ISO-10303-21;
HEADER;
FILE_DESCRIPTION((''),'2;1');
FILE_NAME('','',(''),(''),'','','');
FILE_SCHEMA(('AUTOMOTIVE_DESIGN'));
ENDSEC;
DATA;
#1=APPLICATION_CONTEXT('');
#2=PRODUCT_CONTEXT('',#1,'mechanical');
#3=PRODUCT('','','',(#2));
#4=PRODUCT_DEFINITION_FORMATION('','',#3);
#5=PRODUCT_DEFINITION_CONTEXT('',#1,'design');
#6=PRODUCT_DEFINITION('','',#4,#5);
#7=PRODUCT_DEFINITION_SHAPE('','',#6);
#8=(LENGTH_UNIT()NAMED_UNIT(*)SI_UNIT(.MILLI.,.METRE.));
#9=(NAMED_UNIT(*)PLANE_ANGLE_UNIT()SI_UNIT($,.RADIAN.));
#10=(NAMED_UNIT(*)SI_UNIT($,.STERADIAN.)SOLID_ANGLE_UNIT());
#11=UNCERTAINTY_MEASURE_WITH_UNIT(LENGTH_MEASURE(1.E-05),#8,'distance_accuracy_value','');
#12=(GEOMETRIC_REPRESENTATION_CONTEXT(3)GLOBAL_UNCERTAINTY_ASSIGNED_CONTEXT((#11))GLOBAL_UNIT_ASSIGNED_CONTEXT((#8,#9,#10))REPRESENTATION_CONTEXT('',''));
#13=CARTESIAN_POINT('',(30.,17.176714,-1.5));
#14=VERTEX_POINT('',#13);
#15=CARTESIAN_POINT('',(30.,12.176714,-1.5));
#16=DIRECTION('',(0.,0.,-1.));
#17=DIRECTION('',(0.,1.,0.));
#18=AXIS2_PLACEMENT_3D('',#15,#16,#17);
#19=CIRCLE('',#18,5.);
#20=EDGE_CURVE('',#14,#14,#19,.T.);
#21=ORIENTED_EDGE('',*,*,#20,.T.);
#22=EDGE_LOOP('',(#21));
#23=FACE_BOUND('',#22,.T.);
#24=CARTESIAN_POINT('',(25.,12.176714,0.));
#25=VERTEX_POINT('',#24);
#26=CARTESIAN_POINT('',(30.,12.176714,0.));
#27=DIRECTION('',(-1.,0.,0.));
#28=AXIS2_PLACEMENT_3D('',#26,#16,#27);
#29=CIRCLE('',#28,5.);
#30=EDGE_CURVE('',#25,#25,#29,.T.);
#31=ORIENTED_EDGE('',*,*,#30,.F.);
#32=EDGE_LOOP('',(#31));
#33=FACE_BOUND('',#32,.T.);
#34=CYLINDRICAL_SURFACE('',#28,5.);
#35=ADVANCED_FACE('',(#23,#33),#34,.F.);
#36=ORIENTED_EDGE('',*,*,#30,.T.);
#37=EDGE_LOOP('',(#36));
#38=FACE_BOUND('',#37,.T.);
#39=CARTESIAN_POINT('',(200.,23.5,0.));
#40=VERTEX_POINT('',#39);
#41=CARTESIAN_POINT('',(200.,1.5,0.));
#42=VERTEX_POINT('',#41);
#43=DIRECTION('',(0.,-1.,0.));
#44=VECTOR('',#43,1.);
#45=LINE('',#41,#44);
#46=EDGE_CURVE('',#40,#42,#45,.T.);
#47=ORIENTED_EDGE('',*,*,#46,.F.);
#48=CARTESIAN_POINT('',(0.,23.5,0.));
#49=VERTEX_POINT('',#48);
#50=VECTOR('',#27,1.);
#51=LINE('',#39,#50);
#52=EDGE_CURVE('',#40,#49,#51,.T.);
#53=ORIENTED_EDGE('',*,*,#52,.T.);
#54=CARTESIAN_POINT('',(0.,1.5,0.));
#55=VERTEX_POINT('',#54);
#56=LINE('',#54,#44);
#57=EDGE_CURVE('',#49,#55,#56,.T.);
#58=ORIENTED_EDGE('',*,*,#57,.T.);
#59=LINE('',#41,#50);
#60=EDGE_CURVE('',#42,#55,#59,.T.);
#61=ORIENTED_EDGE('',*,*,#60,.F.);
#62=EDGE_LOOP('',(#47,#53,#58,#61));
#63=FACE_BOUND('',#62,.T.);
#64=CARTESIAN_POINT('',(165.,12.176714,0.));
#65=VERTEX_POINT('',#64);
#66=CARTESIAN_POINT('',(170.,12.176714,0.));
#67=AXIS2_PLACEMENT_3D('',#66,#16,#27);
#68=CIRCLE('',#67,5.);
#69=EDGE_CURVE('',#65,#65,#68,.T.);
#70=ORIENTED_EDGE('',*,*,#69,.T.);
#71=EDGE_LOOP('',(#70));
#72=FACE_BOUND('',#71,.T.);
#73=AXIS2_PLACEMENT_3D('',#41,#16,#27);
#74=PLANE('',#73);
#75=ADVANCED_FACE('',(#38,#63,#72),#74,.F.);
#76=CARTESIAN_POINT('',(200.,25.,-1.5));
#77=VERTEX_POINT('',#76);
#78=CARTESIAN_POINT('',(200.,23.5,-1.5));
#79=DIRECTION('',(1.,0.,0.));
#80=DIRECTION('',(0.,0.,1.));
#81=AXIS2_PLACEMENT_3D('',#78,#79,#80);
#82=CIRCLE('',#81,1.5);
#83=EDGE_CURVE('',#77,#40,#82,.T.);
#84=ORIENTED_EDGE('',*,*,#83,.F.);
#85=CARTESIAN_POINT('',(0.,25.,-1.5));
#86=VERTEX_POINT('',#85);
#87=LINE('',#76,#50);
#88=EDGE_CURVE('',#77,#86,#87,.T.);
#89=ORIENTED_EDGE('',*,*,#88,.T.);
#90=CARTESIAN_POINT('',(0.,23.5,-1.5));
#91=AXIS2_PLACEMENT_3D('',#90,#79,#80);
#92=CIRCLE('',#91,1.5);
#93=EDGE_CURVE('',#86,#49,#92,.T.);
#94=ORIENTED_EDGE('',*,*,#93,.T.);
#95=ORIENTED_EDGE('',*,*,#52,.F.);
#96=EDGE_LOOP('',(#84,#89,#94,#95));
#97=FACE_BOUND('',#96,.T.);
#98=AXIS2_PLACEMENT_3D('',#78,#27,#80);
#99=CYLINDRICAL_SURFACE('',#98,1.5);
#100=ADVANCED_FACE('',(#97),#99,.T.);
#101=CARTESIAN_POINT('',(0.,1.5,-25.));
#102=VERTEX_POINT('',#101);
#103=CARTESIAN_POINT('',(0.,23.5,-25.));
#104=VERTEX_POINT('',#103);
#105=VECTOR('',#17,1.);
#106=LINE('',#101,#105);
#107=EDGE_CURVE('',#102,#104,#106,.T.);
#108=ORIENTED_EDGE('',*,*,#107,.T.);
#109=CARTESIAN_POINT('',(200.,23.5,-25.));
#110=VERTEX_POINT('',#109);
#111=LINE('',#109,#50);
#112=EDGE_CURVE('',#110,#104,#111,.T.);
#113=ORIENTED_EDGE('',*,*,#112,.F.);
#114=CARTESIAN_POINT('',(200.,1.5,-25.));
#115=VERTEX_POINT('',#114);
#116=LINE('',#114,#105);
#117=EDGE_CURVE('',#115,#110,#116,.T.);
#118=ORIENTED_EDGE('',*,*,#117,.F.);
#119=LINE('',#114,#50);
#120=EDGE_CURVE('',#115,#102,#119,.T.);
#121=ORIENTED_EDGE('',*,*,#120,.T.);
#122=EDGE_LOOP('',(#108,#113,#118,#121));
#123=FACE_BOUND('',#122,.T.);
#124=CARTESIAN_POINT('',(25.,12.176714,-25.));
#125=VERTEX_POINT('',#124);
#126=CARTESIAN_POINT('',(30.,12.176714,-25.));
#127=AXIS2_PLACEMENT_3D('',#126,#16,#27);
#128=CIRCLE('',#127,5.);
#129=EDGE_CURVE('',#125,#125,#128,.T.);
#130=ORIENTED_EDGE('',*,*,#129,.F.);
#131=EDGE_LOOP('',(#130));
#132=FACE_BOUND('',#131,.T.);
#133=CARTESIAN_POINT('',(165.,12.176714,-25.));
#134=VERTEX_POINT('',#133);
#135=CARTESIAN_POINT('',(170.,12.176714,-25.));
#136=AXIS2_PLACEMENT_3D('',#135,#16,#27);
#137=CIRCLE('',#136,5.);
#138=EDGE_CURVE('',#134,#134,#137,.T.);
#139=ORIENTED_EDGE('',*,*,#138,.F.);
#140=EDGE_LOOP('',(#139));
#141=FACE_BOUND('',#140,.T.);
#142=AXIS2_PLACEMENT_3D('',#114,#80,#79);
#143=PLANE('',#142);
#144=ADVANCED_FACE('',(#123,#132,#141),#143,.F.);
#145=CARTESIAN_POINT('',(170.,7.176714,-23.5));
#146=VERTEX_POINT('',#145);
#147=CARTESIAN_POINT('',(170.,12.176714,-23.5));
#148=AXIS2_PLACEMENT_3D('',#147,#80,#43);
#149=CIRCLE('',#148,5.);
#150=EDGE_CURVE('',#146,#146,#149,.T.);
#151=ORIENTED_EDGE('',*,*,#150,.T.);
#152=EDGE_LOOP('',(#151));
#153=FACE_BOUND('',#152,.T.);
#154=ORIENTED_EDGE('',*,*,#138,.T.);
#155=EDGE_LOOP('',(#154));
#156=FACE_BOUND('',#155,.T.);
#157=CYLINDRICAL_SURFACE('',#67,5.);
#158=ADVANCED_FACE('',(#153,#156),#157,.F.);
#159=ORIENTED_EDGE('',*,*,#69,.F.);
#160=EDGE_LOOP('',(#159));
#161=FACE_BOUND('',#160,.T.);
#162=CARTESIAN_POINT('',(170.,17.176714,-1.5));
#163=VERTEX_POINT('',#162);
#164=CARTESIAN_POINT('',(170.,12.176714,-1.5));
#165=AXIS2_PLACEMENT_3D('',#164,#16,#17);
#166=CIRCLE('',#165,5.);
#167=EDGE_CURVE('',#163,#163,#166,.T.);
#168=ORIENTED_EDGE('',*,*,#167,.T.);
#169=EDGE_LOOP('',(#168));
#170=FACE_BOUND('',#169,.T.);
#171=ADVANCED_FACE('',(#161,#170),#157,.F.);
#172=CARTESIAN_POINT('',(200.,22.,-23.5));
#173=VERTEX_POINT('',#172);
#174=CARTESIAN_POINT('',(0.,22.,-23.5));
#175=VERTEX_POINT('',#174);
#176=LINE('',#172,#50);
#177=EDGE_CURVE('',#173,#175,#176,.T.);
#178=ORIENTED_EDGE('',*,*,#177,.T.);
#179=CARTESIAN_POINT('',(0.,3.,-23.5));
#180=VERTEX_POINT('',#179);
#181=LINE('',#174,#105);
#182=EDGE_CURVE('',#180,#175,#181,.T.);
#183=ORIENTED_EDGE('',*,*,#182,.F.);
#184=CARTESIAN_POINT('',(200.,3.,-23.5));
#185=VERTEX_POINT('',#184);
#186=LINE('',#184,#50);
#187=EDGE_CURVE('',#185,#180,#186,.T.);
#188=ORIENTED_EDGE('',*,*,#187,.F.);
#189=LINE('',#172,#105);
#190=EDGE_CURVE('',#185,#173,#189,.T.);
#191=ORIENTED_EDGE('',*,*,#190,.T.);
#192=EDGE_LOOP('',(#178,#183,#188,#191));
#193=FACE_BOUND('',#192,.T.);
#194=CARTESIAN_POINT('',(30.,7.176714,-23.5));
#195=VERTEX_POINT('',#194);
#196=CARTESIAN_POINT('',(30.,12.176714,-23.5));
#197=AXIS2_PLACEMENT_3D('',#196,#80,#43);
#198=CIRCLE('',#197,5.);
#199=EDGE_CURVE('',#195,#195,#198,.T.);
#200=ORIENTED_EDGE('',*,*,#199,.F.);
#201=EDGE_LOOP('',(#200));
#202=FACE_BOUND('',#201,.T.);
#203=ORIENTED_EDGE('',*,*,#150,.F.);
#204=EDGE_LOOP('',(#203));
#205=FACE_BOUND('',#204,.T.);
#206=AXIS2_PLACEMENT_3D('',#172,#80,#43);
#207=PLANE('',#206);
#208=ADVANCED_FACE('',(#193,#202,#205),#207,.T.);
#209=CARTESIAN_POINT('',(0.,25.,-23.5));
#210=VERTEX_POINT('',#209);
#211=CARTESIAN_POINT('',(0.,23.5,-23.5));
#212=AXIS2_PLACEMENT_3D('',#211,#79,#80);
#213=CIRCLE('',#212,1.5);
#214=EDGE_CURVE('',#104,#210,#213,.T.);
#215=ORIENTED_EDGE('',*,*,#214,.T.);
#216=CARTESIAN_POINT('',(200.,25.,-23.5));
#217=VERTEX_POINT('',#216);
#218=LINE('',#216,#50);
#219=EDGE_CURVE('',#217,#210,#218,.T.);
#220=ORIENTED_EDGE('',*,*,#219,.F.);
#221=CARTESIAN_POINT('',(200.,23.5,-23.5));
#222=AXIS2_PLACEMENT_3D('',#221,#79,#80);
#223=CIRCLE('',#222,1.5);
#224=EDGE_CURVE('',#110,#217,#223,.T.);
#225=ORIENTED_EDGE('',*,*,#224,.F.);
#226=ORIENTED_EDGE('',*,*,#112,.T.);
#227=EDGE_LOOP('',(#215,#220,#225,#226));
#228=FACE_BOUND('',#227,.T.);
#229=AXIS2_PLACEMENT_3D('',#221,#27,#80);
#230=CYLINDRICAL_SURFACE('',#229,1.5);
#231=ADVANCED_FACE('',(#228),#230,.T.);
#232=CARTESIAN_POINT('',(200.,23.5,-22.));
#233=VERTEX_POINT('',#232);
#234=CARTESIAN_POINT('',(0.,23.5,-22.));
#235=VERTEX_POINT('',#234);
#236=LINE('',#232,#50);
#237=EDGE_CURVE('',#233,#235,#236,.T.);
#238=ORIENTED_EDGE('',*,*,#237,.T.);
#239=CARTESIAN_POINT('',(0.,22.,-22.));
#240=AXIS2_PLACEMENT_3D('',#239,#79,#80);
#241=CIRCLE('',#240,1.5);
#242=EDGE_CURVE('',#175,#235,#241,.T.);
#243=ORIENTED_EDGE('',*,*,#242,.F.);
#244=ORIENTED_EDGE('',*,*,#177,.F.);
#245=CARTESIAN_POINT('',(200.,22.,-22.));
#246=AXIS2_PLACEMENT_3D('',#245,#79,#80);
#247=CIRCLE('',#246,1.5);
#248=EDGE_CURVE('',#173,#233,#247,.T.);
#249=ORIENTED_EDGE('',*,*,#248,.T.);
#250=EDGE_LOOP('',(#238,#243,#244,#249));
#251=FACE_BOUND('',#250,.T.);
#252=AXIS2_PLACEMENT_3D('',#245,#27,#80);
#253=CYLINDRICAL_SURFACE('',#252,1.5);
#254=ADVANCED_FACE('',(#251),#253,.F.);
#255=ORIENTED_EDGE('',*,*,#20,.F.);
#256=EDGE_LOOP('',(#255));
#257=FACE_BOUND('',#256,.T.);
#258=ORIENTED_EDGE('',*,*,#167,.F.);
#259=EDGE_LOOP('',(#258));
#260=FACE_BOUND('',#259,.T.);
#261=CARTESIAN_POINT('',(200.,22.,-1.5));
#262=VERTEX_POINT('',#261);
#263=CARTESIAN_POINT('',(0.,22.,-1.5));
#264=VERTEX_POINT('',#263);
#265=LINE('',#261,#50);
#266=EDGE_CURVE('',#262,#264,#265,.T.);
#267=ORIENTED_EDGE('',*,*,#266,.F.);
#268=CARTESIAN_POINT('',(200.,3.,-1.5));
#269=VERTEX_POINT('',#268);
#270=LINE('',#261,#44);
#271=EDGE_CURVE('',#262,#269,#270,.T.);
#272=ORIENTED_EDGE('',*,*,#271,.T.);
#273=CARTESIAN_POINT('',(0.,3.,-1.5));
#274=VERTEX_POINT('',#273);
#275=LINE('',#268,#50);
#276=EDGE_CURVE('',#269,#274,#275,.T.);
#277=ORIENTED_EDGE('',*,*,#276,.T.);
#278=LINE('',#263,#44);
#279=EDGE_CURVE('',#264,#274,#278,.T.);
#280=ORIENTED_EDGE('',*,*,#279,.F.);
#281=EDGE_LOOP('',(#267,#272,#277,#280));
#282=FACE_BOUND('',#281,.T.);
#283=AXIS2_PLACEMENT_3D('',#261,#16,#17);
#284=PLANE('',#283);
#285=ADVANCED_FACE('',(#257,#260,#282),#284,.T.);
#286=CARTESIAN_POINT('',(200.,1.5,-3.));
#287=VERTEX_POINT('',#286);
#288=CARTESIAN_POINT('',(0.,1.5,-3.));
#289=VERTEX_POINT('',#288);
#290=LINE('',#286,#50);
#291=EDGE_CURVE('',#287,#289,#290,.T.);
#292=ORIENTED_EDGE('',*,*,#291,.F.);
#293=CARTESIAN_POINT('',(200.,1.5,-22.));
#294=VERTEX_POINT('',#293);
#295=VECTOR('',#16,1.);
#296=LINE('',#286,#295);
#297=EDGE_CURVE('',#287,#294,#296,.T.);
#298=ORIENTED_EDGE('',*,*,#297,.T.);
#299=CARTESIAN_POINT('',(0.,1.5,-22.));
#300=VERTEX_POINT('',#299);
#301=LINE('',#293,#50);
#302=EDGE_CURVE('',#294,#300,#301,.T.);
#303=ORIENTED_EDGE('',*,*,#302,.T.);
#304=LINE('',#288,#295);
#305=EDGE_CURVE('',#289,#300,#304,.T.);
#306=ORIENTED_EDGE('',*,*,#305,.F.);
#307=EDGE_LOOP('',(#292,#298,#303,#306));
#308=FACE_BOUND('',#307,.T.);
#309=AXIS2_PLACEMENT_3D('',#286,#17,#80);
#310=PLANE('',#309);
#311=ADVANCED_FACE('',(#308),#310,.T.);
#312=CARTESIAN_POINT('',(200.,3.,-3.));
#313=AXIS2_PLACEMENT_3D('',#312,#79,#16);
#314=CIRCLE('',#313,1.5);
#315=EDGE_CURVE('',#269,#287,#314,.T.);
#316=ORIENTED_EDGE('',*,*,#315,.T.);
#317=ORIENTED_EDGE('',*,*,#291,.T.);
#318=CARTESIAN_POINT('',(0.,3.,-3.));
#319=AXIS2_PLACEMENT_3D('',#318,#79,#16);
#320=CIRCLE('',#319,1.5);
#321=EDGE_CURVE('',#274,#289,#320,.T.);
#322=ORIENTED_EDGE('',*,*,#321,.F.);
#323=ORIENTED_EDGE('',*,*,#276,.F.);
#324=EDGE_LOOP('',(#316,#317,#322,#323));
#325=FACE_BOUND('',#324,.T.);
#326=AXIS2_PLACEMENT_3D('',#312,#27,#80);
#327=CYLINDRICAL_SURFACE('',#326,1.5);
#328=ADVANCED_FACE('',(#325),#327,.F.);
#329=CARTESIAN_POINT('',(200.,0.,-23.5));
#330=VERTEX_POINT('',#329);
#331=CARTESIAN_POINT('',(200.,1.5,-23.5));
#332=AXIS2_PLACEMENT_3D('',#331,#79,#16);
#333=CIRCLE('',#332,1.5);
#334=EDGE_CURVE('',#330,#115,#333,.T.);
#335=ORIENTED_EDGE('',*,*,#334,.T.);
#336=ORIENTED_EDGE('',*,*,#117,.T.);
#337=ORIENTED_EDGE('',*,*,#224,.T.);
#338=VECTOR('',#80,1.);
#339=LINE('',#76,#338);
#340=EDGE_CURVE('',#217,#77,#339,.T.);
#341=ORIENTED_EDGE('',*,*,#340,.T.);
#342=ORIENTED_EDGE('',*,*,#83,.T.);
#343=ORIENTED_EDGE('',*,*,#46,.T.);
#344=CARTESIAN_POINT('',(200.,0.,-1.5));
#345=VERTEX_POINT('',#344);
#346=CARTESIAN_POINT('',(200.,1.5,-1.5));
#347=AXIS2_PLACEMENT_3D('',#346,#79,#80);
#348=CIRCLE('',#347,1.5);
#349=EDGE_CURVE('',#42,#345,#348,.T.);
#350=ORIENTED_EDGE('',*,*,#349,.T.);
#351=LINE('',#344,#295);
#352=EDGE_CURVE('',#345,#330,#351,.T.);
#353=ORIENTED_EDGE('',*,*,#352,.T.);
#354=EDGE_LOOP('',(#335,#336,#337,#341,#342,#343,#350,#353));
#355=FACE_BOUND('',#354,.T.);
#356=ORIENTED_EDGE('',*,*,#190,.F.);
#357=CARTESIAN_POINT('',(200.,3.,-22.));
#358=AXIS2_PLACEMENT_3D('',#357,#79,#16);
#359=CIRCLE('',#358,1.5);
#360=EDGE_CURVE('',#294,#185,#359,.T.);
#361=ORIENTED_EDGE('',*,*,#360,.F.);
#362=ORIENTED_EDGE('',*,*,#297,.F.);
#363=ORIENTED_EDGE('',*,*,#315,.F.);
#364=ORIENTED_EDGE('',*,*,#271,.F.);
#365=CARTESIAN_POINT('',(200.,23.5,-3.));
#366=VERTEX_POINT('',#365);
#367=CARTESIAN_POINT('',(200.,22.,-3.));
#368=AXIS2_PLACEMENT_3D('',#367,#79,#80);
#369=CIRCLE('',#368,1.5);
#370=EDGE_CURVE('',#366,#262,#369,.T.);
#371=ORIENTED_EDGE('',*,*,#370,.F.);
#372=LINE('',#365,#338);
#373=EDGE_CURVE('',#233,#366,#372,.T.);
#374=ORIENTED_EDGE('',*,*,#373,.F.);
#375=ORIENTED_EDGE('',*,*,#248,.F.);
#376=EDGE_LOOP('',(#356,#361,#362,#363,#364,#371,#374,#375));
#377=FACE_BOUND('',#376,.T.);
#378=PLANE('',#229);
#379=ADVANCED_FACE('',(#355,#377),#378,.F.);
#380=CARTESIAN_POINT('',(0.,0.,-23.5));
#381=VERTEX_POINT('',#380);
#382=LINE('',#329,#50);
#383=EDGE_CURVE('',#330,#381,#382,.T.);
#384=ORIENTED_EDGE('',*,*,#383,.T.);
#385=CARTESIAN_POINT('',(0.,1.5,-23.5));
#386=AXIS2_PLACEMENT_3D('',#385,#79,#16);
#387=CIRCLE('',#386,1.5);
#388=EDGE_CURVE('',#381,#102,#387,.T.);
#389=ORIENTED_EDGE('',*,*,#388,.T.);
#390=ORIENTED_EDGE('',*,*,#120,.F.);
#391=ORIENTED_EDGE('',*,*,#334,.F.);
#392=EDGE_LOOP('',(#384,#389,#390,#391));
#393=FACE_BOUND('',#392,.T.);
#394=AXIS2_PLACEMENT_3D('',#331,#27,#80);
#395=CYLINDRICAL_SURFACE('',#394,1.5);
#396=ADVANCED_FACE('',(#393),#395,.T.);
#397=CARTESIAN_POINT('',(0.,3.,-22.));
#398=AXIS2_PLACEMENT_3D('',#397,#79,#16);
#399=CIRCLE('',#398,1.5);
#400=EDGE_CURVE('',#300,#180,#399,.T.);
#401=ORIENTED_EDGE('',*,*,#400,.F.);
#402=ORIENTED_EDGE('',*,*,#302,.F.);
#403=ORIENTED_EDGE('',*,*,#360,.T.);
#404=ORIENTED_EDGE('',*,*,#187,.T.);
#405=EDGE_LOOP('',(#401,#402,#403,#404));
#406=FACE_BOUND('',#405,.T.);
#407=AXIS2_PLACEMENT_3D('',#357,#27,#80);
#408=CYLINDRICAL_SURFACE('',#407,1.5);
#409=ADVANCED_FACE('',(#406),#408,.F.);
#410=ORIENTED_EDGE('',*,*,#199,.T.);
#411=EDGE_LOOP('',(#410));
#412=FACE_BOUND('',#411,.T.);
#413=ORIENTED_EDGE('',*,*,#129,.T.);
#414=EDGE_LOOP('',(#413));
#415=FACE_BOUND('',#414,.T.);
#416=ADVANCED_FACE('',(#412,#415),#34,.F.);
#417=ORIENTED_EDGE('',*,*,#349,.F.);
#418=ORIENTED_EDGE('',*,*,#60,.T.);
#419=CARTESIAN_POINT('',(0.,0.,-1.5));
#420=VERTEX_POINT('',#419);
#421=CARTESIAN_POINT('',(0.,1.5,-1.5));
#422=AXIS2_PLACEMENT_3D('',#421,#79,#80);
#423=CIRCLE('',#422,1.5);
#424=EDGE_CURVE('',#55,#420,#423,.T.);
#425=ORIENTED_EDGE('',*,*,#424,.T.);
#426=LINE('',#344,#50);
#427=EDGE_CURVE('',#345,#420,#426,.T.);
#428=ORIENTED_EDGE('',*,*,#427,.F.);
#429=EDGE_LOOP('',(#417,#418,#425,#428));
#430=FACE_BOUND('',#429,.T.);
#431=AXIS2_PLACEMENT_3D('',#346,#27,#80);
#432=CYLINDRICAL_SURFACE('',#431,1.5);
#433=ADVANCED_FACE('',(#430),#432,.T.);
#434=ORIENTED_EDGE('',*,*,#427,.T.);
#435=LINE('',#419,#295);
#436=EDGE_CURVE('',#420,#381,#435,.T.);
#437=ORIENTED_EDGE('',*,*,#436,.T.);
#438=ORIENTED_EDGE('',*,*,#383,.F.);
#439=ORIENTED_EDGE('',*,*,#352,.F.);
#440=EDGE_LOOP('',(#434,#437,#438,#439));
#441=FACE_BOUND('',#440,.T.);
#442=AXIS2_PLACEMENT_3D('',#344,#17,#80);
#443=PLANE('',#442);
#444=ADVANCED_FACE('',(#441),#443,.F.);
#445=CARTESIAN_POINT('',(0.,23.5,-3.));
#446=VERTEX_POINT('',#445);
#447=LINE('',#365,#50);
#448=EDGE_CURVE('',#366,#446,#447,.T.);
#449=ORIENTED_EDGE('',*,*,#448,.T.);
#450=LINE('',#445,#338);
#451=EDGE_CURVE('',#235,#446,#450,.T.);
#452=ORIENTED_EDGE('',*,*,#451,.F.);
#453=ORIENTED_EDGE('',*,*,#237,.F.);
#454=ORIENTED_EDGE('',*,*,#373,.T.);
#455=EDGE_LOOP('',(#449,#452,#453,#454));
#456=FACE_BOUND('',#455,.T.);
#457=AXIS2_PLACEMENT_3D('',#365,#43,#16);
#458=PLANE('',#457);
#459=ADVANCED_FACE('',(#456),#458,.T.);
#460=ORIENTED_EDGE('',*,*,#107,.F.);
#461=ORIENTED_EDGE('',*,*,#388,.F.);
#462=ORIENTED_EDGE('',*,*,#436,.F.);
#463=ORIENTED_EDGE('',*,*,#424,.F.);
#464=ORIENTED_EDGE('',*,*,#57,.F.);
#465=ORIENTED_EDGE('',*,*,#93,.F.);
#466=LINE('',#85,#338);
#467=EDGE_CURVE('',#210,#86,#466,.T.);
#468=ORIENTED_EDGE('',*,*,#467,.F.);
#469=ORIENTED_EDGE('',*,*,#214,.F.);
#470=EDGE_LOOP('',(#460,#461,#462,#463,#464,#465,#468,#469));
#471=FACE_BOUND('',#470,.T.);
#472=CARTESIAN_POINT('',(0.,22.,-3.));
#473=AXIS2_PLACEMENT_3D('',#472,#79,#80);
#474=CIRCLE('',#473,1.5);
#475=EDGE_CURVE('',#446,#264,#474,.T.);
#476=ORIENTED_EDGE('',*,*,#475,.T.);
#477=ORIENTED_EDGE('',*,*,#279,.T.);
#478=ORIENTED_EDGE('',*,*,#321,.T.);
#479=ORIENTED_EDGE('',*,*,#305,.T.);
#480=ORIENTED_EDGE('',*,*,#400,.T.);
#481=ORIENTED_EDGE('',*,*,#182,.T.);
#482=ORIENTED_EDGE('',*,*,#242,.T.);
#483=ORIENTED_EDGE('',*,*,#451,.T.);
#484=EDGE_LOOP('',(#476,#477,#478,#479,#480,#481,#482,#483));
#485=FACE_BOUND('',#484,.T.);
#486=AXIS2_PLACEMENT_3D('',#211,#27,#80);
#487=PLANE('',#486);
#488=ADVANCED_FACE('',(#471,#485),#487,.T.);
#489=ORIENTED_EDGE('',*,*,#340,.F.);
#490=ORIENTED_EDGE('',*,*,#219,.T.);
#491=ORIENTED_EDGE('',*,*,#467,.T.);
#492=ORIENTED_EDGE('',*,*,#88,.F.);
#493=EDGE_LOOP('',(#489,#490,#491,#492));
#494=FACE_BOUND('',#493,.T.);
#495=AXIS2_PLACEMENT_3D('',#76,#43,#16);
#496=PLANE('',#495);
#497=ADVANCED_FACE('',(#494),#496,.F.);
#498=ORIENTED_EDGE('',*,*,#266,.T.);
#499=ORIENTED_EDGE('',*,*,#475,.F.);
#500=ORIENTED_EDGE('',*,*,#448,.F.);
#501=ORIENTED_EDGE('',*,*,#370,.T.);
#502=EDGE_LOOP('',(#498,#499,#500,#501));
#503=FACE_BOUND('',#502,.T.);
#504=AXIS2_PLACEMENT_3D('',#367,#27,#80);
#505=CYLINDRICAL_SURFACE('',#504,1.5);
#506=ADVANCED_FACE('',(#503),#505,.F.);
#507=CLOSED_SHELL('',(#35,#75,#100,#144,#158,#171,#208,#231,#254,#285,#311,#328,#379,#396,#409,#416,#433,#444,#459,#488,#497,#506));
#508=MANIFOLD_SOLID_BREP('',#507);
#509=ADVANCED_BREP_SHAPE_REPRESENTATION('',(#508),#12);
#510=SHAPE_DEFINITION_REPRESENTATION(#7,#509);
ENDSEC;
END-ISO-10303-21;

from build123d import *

# Parameters (mm, degrees)
BOSS_EXTRUDE1_DEPTH = 200
SKETCH3_R           = 5
CUT_EXTRUDE1_DEPTH  = 204.100960116


with BuildPart() as part:
    # Sketch1 → Boss-Extrude1 (new body)
    with BuildSketch(Plane(origin=(0, 0, 0), x_dir=(0, 0, -1), z_dir=(1, 0, 0))):
        with BuildLine():
            Line((1.5, 0), (23.5, 0))
            ThreePointArc((23.5, 0), (24.560660172, 0.439339828), (25, 1.5))
            Line((25, 1.5), (25, 23.5))
            ThreePointArc((25, 23.5), (24.560660172, 24.560660172), (23.5, 25))
            Line((23.5, 25), (1.5, 25))
            ThreePointArc((1.5, 25), (0.439339828, 24.560660172), (0, 23.5))
            Line((0, 23.5), (0, 1.5))
            ThreePointArc((0, 1.5), (0.439339828, 0.439339828), (1.5, 0))
        make_face()
        with BuildLine():
            Line((3, 23.5), (22, 23.5))
            ThreePointArc((22, 23.5), (23.060660172, 23.060660172), (23.5, 22))
            Line((23.5, 22), (23.5, 3))
            ThreePointArc((23.5, 3), (23.060660172, 1.939339828), (22, 1.5))
            Line((22, 1.5), (3, 1.5))
            ThreePointArc((3, 1.5), (1.939339828, 1.939339828), (1.5, 3))
            Line((1.5, 3), (1.5, 22))
            ThreePointArc((1.5, 22), (1.939339828, 23.060660172), (3, 23.5))
        make_face(mode=Mode.SUBTRACT)
    extrude(amount=BOSS_EXTRUDE1_DEPTH)

    # Sketch3 → Cut-Extrude1 (cut, through all)
    with BuildSketch(Plane(origin=(0, 0, -25), x_dir=(-1, 0, 0), z_dir=(0, 0, -1))):
        with Locations((-170, 12.176713796)):
            Circle(SKETCH3_R)
        with Locations((-30, 12.176713796)):
            Circle(SKETCH3_R)
    extrude(amount=-CUT_EXTRUDE1_DEPTH, mode=Mode.SUBTRACT)


solid = part.part
